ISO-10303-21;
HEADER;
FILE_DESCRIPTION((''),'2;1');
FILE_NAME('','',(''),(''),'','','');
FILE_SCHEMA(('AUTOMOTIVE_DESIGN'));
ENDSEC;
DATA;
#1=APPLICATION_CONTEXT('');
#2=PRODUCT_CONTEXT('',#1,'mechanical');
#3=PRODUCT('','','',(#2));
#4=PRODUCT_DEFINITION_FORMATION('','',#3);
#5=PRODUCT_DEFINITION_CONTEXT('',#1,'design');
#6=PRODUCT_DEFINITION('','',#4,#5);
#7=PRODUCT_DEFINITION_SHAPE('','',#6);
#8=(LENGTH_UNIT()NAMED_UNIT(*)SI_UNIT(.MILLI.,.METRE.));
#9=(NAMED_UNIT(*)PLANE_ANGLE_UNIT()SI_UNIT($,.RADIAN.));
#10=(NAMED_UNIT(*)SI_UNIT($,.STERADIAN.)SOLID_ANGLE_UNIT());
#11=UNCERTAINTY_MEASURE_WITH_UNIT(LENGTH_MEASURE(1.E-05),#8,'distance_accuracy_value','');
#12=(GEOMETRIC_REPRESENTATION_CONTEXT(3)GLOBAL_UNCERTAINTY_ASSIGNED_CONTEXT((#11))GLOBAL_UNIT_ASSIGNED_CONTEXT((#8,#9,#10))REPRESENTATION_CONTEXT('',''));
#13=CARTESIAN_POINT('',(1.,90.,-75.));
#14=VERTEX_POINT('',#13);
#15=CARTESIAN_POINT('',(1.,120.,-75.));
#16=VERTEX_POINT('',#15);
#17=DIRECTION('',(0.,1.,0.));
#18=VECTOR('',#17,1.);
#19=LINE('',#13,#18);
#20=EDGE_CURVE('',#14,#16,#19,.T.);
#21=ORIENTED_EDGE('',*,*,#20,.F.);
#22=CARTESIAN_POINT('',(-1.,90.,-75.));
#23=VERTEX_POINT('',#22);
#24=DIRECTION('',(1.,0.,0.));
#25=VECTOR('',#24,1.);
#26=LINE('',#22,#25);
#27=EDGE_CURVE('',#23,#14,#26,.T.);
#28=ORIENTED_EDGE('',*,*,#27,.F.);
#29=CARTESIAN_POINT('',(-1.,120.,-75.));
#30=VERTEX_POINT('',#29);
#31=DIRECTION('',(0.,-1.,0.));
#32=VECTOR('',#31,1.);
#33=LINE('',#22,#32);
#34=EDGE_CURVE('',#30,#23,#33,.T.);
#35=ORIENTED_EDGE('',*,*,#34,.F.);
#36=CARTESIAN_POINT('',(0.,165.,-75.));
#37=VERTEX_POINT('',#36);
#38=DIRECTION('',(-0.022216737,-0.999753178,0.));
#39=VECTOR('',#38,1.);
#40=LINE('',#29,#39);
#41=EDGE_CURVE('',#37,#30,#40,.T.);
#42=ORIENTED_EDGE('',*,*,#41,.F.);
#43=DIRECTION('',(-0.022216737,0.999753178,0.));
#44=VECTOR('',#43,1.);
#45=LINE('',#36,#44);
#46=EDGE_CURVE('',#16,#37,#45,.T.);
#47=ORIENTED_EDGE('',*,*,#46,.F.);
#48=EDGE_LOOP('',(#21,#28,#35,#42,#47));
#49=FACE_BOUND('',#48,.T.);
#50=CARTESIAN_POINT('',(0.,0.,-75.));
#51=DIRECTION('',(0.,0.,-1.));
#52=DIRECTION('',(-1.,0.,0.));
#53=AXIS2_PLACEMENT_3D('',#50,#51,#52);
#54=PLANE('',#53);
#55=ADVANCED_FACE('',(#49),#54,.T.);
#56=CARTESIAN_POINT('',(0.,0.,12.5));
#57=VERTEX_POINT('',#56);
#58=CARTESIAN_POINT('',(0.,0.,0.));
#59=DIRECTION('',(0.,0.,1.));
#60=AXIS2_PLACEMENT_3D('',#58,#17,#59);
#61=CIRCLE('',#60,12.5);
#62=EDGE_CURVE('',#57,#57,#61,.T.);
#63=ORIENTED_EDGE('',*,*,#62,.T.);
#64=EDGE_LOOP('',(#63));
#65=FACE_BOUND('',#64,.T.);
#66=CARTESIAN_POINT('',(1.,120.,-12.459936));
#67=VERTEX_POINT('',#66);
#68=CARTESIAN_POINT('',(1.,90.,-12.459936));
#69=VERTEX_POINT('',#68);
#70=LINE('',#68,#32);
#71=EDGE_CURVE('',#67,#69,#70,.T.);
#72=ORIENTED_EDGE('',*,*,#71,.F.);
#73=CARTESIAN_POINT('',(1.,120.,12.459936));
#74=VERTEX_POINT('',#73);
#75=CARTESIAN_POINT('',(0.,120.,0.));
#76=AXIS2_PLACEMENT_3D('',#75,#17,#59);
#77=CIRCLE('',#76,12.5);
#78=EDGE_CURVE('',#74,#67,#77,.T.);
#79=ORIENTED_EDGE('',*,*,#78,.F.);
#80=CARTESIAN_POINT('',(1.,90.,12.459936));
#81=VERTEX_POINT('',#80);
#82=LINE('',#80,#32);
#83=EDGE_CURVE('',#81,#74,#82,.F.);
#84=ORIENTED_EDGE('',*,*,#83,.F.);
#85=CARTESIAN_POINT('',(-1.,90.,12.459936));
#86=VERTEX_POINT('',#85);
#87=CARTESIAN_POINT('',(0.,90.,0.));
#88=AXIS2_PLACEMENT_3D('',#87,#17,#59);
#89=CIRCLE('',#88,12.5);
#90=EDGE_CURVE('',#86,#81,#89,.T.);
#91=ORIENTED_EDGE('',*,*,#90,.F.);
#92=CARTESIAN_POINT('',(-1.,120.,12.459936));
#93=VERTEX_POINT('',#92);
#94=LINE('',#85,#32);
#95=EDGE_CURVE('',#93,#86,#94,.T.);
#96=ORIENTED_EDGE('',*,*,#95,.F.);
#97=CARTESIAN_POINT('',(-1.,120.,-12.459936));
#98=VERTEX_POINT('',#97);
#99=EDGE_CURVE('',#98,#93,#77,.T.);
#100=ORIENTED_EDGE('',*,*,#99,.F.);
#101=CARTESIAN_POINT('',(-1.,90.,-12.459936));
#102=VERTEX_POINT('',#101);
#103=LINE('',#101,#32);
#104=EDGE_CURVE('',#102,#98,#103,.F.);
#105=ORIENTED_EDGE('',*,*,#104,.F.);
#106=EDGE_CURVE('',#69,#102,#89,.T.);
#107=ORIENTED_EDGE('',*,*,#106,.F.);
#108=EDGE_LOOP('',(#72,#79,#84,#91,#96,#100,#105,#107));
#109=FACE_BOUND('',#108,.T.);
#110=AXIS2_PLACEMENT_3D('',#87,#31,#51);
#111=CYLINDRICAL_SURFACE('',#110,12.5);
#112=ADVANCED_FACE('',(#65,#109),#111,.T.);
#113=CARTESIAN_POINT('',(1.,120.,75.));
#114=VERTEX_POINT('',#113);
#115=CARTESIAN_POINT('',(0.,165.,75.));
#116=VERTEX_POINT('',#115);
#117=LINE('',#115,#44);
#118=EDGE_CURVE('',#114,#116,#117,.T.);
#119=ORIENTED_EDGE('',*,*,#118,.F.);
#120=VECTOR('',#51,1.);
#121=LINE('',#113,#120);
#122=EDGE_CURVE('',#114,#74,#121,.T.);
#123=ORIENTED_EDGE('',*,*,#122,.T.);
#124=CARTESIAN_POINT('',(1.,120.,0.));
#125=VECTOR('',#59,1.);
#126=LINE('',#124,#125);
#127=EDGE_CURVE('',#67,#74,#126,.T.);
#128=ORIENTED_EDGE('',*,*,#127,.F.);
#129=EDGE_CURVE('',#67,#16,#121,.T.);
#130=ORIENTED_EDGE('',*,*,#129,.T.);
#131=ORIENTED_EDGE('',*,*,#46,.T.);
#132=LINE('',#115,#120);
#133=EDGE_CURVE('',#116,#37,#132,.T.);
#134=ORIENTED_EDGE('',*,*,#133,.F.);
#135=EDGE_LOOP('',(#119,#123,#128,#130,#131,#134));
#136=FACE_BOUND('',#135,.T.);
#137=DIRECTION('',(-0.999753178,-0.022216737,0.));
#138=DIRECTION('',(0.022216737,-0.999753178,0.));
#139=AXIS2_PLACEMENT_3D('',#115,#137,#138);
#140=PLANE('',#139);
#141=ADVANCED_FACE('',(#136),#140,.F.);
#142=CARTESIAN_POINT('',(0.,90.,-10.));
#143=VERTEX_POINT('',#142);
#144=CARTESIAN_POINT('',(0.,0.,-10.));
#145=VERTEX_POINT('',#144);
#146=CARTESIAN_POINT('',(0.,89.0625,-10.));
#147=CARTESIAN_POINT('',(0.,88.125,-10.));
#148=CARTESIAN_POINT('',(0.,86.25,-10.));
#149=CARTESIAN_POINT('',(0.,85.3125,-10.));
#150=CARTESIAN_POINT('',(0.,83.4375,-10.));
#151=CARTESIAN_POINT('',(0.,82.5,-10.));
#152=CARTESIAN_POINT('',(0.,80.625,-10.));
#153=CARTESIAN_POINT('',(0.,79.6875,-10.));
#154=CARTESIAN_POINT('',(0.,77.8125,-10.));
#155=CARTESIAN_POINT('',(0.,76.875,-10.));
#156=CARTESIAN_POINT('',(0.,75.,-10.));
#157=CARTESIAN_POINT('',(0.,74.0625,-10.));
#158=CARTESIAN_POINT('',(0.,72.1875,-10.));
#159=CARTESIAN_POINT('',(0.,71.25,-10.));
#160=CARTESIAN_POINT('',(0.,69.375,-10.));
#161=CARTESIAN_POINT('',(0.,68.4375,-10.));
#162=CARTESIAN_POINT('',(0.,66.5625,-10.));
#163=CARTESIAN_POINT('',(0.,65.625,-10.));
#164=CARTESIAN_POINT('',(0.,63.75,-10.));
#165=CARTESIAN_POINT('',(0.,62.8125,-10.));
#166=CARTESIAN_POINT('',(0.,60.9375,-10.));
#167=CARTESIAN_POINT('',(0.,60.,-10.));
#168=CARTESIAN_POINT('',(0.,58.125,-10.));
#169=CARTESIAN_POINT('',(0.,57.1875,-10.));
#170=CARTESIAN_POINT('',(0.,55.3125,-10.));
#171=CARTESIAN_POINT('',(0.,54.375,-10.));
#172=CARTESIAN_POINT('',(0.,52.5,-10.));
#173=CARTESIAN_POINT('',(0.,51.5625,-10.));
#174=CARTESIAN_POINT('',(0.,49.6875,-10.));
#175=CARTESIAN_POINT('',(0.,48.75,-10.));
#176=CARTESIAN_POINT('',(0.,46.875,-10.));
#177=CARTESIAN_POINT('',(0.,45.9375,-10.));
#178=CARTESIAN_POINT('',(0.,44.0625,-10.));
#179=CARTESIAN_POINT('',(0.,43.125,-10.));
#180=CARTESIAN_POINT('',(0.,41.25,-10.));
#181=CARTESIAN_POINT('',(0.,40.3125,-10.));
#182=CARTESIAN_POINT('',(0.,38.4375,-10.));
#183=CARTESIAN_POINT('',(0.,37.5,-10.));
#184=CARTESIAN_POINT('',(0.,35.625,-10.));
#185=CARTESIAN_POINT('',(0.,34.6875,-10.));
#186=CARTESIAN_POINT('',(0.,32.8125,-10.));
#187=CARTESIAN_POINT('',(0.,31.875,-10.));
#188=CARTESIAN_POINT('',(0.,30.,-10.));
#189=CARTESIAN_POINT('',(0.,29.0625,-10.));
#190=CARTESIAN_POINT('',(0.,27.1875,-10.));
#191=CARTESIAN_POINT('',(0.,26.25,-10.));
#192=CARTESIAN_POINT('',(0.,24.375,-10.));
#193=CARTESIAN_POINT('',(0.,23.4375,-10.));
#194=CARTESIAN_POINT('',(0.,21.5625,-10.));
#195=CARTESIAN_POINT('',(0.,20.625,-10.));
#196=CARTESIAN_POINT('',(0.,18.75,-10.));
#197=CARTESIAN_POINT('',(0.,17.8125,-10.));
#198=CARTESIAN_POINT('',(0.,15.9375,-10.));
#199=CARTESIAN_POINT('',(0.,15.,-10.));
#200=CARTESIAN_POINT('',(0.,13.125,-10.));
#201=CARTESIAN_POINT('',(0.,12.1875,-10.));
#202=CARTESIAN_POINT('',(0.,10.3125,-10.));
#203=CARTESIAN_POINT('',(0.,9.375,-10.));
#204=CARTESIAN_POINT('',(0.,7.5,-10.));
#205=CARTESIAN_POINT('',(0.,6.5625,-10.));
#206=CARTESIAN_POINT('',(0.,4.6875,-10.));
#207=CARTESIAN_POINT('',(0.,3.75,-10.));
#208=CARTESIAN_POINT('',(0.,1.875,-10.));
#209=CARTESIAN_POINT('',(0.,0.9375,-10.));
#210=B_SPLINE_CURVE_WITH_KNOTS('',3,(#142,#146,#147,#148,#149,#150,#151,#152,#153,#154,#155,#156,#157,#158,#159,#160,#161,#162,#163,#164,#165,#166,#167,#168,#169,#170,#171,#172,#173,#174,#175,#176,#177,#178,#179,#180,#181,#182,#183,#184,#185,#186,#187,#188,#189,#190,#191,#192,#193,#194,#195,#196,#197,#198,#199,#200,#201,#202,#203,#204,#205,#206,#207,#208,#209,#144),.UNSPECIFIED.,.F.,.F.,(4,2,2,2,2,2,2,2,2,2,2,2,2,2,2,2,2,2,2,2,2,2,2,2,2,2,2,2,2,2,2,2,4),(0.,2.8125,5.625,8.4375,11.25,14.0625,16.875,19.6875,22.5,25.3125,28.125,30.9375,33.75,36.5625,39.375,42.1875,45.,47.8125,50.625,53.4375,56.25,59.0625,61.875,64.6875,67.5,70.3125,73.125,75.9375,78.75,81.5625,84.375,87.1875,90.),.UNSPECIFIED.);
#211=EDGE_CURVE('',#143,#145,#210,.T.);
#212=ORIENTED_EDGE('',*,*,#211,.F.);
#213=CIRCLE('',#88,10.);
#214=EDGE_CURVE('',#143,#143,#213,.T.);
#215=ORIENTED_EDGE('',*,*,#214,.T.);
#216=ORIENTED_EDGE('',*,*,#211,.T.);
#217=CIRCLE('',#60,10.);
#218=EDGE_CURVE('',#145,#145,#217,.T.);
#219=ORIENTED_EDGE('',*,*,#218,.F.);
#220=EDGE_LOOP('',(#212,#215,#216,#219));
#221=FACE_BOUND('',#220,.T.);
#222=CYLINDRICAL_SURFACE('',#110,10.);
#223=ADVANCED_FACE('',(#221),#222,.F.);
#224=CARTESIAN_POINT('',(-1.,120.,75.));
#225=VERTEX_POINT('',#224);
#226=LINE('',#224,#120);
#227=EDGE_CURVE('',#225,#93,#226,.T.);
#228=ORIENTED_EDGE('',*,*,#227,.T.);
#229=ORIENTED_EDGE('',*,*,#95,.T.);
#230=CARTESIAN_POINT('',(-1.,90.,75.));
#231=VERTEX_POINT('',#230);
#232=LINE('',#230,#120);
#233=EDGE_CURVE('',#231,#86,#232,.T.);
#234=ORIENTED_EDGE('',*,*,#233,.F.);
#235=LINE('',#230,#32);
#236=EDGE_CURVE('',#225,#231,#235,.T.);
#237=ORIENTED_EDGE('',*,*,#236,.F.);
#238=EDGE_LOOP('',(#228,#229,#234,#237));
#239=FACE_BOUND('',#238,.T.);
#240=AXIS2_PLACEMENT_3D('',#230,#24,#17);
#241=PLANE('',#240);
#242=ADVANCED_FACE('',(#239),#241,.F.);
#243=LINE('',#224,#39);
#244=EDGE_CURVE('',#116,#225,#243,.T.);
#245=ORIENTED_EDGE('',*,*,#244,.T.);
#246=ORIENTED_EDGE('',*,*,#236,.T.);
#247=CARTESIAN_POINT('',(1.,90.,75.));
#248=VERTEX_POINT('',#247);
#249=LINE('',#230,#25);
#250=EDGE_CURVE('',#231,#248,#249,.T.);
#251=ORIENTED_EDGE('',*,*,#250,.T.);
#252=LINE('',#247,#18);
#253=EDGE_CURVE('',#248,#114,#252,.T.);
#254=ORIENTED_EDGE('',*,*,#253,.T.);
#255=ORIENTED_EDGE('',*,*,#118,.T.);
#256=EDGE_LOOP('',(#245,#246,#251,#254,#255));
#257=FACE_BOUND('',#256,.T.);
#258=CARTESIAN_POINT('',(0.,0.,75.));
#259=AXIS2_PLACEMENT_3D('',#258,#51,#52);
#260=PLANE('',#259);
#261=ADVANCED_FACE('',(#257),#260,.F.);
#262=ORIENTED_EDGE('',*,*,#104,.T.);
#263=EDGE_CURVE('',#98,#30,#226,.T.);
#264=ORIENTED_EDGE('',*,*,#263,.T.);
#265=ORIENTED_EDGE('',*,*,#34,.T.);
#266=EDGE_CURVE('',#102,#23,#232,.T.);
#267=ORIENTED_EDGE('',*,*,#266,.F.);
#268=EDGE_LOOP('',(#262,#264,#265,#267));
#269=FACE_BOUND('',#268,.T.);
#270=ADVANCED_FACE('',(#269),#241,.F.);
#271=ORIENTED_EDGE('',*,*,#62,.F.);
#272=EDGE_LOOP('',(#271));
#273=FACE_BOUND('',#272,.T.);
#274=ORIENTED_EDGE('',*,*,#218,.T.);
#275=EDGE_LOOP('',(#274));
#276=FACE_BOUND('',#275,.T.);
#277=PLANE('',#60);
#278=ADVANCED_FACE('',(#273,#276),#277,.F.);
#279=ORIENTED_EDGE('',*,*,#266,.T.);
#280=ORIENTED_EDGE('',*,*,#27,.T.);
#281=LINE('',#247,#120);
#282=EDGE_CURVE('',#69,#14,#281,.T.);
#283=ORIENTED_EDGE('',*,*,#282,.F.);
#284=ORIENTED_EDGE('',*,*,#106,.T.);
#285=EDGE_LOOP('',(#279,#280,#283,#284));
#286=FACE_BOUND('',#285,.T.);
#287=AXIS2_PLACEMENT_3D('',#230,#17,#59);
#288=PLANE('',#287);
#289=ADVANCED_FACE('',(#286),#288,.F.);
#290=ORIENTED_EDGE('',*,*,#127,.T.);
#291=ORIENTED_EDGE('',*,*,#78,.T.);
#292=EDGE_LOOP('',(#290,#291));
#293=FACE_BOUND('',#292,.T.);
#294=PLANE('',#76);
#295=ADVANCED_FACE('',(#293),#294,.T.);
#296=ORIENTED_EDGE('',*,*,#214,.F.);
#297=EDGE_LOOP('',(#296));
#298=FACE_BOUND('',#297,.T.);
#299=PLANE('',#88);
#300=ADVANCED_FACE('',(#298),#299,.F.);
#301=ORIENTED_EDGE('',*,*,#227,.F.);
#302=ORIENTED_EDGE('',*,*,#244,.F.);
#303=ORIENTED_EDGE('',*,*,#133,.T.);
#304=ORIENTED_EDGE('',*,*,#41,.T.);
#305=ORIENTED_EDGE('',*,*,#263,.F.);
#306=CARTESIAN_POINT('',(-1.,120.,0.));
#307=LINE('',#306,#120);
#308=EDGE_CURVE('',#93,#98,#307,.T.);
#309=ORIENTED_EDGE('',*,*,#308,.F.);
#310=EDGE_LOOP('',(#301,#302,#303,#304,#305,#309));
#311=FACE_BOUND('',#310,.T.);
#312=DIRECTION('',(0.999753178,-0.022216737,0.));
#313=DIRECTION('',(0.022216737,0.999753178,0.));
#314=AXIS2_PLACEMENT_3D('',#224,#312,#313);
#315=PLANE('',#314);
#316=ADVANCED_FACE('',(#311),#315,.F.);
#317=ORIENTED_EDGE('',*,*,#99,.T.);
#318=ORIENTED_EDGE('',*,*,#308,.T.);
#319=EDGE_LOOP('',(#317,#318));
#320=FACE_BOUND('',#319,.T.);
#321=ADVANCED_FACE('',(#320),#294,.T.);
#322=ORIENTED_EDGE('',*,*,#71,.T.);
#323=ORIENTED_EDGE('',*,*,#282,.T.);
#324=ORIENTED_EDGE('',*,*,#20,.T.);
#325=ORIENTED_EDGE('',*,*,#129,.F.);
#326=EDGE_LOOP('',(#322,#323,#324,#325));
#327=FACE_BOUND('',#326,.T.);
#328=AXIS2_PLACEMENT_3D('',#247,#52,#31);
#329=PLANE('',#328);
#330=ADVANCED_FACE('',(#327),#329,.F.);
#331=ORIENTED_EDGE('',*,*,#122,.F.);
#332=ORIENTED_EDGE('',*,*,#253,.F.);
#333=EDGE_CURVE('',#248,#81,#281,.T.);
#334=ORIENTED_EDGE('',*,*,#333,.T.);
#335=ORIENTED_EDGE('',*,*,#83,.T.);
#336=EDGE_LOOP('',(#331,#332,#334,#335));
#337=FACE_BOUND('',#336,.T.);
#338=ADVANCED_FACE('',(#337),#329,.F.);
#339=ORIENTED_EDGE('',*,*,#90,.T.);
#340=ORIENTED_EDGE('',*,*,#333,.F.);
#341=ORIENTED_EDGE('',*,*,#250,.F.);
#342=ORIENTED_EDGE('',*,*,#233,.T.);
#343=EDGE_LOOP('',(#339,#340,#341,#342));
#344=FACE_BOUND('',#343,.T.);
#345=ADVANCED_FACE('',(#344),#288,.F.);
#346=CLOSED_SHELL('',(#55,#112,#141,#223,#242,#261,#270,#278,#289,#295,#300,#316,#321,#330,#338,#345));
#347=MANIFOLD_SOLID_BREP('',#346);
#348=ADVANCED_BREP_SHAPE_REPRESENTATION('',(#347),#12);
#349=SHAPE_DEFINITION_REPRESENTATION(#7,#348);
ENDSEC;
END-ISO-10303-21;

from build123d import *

# Parameters (mm, degrees)
SKETCH2_R           = 12.5
SKETCH2_R_2         = 10
BOSS_EXTRUDE3_DEPTH = 90
SKETCH3_R           = 12.5
BOSS_EXTRUDE4_DEPTH = 30
BOSS_EXTRUDE5_DEPTH = 75


with BuildPart() as part:
    # Sketch2 → Boss-Extrude3 (new body)
    with BuildSketch(Plane(origin=(0, 0, 0), x_dir=(1, 0, 0), z_dir=(0, 1, 0))):
        with Locations(Location((0, 0, 0), (0, 0, 90))):
            Circle(SKETCH2_R)
        with Locations(Location((0, 0, 0), (0, 0, 90))):
            Circle(SKETCH2_R_2, mode=Mode.SUBTRACT)
    extrude(amount=BOSS_EXTRUDE3_DEPTH)

    # Sketch3 → Boss-Extrude4 (add)
    with BuildSketch(Plane(origin=(0, 90, 0), x_dir=(1, 0, 0), z_dir=(0, 1, 0))):
        with Locations(Location((0, 0, 0), (0, 0, 90))):
            Circle(SKETCH3_R)
    extrude(amount=BOSS_EXTRUDE4_DEPTH)

    # Sketch5 → Boss-Extrude5 (add, symmetric)
    with BuildSketch(Plane.XY):
        Polygon((-1, 90), (1, 90), (1, 120), (0, 165), (-1, 120), align=None)
    extrude(amount=BOSS_EXTRUDE5_DEPTH, both=True)


solid = part.part
